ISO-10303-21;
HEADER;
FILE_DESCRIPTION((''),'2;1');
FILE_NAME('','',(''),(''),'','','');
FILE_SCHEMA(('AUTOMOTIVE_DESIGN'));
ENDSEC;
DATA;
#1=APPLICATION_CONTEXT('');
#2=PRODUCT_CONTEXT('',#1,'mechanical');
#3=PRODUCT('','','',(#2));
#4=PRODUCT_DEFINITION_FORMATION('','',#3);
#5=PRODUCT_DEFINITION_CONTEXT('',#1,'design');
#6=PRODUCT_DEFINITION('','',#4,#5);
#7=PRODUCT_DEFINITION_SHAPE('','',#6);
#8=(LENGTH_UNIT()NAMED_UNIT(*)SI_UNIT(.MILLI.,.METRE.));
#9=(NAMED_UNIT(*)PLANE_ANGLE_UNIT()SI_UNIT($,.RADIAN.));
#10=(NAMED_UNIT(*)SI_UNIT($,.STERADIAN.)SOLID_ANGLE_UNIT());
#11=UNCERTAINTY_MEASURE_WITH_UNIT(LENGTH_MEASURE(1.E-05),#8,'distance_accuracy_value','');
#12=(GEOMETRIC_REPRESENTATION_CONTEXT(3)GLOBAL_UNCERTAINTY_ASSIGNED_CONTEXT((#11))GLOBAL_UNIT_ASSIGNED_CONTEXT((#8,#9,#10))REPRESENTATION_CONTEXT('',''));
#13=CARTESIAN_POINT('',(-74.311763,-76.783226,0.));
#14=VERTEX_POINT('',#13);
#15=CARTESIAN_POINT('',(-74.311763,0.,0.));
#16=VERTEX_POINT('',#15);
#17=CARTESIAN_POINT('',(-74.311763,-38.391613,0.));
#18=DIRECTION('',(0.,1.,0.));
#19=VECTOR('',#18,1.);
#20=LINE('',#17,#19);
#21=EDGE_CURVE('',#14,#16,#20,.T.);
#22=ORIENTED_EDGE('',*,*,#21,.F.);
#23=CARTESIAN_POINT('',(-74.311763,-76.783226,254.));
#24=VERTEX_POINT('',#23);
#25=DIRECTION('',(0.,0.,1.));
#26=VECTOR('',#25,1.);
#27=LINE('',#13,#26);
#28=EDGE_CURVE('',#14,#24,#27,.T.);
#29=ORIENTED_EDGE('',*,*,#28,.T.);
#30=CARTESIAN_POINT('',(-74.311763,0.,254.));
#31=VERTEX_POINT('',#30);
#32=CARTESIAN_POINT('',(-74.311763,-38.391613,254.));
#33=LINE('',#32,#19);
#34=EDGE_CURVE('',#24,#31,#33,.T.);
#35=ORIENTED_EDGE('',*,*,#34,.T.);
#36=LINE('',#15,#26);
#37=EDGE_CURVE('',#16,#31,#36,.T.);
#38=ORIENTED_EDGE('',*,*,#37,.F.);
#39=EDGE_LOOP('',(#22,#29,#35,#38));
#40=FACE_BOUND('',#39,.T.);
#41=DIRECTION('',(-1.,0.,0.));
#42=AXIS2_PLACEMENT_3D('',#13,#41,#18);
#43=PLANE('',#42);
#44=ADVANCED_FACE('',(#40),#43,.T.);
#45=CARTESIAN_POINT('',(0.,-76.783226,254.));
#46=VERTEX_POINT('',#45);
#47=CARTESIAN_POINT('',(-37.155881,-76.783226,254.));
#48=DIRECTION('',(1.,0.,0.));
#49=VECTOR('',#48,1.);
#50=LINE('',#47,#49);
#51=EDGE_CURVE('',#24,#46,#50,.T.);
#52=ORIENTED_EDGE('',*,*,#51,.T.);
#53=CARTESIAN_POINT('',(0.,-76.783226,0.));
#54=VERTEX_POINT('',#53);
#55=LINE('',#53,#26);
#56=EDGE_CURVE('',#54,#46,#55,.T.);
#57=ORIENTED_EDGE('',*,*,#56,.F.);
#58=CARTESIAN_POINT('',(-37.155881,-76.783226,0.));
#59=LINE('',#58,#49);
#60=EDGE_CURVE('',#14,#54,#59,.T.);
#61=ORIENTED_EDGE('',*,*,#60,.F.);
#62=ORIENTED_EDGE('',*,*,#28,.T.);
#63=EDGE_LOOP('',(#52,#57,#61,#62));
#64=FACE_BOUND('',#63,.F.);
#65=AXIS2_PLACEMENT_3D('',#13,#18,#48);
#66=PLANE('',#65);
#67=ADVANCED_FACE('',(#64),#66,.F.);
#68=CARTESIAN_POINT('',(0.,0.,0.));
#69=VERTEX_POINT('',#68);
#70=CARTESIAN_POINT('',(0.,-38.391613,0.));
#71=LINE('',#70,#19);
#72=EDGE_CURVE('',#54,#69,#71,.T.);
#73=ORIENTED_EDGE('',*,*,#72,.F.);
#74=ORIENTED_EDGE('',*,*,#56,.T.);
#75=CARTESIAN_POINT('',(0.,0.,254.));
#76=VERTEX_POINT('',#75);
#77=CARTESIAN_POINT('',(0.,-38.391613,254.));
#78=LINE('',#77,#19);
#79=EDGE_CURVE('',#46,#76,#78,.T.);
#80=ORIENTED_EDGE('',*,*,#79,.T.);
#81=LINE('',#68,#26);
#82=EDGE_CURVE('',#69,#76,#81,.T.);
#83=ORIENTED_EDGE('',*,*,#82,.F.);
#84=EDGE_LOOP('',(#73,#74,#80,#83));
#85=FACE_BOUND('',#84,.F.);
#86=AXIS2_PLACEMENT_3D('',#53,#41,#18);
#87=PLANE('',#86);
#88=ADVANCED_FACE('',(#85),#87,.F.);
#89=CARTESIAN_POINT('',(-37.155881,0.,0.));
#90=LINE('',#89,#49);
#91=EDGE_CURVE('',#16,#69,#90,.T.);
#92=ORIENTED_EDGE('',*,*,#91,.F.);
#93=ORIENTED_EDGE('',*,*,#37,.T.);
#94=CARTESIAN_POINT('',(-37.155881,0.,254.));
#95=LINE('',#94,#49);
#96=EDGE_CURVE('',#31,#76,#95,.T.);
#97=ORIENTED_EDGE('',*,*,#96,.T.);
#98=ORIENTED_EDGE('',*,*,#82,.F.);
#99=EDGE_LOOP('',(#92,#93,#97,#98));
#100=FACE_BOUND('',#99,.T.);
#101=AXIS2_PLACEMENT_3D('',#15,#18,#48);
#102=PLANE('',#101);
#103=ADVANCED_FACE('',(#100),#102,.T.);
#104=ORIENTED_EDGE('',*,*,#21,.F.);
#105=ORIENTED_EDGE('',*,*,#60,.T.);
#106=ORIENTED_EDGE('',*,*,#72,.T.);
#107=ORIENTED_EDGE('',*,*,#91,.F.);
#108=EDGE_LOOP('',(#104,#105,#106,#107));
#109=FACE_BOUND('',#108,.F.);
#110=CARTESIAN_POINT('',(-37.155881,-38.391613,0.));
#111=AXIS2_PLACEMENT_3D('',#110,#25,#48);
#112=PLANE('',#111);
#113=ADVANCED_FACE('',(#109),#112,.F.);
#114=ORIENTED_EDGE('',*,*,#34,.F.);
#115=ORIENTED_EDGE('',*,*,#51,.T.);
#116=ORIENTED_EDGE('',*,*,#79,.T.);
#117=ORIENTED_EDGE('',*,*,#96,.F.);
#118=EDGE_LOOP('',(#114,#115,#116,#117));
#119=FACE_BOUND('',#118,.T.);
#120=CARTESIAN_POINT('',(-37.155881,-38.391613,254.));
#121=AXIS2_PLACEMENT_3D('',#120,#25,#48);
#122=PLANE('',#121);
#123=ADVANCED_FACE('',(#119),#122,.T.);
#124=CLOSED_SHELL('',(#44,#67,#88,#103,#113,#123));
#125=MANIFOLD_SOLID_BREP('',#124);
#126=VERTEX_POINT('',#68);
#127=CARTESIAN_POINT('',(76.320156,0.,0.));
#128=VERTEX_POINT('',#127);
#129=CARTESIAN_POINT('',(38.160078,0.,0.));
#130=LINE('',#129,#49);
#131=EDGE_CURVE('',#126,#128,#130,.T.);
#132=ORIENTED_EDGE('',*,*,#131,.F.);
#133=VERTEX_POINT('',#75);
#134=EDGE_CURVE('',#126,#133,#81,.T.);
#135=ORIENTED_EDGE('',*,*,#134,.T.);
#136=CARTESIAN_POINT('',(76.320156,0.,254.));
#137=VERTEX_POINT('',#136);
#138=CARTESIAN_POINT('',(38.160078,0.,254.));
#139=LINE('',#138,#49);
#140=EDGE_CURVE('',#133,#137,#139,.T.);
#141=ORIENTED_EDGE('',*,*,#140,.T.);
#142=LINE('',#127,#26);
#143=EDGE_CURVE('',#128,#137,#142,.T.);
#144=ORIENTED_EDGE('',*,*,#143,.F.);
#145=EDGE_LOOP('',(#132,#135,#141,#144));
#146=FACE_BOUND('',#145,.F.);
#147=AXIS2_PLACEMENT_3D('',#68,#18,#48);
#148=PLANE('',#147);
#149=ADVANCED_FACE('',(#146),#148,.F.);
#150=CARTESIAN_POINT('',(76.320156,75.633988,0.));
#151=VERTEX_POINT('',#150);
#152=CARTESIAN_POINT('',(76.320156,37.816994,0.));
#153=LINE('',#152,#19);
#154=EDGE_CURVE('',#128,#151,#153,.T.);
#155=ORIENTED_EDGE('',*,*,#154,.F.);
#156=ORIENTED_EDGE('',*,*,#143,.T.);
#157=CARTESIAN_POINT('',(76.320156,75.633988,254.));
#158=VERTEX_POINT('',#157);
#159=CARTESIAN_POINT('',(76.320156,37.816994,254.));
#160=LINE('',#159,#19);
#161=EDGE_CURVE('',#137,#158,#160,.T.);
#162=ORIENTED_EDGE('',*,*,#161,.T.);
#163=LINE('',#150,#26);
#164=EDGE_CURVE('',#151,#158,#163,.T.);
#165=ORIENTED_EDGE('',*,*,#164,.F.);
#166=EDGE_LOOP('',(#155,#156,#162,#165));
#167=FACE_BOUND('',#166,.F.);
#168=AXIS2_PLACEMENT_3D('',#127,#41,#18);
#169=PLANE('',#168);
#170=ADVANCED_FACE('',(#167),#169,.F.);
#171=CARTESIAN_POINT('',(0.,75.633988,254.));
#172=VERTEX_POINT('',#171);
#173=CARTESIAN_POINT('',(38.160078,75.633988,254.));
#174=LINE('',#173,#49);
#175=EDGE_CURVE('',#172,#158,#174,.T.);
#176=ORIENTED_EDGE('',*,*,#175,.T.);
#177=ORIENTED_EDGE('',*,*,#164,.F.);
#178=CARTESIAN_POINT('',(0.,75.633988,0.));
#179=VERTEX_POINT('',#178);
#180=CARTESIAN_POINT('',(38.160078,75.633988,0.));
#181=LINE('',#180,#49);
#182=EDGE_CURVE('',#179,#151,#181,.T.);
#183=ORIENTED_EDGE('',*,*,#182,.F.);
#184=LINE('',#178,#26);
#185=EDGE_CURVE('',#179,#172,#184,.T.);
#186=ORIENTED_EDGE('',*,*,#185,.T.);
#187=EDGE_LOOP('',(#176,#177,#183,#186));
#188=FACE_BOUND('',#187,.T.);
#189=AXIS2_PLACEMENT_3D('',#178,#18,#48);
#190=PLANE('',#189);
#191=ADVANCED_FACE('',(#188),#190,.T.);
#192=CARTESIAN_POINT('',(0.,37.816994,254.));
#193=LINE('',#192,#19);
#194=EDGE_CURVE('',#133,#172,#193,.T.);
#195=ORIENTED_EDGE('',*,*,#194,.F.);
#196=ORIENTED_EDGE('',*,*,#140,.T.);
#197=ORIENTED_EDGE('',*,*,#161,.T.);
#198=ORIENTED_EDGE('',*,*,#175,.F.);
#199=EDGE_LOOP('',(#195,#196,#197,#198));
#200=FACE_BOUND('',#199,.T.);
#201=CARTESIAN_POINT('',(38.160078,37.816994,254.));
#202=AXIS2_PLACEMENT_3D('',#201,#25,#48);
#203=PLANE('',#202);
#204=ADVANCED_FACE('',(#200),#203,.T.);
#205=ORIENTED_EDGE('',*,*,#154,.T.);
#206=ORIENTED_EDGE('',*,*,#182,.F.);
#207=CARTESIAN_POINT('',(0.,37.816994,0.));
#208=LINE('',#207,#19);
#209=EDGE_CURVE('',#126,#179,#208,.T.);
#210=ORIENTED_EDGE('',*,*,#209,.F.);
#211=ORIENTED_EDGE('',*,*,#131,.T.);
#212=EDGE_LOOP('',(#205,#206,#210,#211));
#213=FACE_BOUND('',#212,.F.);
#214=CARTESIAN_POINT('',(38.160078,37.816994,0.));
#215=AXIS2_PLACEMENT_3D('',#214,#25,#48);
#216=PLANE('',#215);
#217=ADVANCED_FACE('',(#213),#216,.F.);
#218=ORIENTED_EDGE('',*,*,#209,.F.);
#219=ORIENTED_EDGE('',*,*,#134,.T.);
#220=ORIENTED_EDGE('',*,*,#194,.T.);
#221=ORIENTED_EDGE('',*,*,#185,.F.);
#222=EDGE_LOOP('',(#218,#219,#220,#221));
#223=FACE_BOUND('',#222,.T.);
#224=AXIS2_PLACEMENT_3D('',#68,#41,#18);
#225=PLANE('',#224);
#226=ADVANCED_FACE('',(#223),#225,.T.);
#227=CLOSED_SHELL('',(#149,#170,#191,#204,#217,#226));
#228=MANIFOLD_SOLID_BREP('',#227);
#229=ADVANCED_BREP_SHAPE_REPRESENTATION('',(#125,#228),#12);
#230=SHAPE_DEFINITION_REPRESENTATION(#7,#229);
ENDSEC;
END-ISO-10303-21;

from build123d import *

# Parameters (mm, degrees)
F0_W     = 76.320156
F0_H     = 75.633988
F0_W_2   = 74.311763
F0_H_2   = 76.783225
F1_DEPTH = 254


with BuildPart() as f1:
    # F0 (on Top) → F1 (new body)
    with BuildSketch(Plane.XY):
        with Locations((38.160078, 37.816994)):
            Rectangle(F0_W, F0_H)
        with Locations((-37.155881, -38.391613)):
            Rectangle(F0_W_2, F0_H_2)
    extrude(amount=F1_DEPTH)


solid = f1.part
